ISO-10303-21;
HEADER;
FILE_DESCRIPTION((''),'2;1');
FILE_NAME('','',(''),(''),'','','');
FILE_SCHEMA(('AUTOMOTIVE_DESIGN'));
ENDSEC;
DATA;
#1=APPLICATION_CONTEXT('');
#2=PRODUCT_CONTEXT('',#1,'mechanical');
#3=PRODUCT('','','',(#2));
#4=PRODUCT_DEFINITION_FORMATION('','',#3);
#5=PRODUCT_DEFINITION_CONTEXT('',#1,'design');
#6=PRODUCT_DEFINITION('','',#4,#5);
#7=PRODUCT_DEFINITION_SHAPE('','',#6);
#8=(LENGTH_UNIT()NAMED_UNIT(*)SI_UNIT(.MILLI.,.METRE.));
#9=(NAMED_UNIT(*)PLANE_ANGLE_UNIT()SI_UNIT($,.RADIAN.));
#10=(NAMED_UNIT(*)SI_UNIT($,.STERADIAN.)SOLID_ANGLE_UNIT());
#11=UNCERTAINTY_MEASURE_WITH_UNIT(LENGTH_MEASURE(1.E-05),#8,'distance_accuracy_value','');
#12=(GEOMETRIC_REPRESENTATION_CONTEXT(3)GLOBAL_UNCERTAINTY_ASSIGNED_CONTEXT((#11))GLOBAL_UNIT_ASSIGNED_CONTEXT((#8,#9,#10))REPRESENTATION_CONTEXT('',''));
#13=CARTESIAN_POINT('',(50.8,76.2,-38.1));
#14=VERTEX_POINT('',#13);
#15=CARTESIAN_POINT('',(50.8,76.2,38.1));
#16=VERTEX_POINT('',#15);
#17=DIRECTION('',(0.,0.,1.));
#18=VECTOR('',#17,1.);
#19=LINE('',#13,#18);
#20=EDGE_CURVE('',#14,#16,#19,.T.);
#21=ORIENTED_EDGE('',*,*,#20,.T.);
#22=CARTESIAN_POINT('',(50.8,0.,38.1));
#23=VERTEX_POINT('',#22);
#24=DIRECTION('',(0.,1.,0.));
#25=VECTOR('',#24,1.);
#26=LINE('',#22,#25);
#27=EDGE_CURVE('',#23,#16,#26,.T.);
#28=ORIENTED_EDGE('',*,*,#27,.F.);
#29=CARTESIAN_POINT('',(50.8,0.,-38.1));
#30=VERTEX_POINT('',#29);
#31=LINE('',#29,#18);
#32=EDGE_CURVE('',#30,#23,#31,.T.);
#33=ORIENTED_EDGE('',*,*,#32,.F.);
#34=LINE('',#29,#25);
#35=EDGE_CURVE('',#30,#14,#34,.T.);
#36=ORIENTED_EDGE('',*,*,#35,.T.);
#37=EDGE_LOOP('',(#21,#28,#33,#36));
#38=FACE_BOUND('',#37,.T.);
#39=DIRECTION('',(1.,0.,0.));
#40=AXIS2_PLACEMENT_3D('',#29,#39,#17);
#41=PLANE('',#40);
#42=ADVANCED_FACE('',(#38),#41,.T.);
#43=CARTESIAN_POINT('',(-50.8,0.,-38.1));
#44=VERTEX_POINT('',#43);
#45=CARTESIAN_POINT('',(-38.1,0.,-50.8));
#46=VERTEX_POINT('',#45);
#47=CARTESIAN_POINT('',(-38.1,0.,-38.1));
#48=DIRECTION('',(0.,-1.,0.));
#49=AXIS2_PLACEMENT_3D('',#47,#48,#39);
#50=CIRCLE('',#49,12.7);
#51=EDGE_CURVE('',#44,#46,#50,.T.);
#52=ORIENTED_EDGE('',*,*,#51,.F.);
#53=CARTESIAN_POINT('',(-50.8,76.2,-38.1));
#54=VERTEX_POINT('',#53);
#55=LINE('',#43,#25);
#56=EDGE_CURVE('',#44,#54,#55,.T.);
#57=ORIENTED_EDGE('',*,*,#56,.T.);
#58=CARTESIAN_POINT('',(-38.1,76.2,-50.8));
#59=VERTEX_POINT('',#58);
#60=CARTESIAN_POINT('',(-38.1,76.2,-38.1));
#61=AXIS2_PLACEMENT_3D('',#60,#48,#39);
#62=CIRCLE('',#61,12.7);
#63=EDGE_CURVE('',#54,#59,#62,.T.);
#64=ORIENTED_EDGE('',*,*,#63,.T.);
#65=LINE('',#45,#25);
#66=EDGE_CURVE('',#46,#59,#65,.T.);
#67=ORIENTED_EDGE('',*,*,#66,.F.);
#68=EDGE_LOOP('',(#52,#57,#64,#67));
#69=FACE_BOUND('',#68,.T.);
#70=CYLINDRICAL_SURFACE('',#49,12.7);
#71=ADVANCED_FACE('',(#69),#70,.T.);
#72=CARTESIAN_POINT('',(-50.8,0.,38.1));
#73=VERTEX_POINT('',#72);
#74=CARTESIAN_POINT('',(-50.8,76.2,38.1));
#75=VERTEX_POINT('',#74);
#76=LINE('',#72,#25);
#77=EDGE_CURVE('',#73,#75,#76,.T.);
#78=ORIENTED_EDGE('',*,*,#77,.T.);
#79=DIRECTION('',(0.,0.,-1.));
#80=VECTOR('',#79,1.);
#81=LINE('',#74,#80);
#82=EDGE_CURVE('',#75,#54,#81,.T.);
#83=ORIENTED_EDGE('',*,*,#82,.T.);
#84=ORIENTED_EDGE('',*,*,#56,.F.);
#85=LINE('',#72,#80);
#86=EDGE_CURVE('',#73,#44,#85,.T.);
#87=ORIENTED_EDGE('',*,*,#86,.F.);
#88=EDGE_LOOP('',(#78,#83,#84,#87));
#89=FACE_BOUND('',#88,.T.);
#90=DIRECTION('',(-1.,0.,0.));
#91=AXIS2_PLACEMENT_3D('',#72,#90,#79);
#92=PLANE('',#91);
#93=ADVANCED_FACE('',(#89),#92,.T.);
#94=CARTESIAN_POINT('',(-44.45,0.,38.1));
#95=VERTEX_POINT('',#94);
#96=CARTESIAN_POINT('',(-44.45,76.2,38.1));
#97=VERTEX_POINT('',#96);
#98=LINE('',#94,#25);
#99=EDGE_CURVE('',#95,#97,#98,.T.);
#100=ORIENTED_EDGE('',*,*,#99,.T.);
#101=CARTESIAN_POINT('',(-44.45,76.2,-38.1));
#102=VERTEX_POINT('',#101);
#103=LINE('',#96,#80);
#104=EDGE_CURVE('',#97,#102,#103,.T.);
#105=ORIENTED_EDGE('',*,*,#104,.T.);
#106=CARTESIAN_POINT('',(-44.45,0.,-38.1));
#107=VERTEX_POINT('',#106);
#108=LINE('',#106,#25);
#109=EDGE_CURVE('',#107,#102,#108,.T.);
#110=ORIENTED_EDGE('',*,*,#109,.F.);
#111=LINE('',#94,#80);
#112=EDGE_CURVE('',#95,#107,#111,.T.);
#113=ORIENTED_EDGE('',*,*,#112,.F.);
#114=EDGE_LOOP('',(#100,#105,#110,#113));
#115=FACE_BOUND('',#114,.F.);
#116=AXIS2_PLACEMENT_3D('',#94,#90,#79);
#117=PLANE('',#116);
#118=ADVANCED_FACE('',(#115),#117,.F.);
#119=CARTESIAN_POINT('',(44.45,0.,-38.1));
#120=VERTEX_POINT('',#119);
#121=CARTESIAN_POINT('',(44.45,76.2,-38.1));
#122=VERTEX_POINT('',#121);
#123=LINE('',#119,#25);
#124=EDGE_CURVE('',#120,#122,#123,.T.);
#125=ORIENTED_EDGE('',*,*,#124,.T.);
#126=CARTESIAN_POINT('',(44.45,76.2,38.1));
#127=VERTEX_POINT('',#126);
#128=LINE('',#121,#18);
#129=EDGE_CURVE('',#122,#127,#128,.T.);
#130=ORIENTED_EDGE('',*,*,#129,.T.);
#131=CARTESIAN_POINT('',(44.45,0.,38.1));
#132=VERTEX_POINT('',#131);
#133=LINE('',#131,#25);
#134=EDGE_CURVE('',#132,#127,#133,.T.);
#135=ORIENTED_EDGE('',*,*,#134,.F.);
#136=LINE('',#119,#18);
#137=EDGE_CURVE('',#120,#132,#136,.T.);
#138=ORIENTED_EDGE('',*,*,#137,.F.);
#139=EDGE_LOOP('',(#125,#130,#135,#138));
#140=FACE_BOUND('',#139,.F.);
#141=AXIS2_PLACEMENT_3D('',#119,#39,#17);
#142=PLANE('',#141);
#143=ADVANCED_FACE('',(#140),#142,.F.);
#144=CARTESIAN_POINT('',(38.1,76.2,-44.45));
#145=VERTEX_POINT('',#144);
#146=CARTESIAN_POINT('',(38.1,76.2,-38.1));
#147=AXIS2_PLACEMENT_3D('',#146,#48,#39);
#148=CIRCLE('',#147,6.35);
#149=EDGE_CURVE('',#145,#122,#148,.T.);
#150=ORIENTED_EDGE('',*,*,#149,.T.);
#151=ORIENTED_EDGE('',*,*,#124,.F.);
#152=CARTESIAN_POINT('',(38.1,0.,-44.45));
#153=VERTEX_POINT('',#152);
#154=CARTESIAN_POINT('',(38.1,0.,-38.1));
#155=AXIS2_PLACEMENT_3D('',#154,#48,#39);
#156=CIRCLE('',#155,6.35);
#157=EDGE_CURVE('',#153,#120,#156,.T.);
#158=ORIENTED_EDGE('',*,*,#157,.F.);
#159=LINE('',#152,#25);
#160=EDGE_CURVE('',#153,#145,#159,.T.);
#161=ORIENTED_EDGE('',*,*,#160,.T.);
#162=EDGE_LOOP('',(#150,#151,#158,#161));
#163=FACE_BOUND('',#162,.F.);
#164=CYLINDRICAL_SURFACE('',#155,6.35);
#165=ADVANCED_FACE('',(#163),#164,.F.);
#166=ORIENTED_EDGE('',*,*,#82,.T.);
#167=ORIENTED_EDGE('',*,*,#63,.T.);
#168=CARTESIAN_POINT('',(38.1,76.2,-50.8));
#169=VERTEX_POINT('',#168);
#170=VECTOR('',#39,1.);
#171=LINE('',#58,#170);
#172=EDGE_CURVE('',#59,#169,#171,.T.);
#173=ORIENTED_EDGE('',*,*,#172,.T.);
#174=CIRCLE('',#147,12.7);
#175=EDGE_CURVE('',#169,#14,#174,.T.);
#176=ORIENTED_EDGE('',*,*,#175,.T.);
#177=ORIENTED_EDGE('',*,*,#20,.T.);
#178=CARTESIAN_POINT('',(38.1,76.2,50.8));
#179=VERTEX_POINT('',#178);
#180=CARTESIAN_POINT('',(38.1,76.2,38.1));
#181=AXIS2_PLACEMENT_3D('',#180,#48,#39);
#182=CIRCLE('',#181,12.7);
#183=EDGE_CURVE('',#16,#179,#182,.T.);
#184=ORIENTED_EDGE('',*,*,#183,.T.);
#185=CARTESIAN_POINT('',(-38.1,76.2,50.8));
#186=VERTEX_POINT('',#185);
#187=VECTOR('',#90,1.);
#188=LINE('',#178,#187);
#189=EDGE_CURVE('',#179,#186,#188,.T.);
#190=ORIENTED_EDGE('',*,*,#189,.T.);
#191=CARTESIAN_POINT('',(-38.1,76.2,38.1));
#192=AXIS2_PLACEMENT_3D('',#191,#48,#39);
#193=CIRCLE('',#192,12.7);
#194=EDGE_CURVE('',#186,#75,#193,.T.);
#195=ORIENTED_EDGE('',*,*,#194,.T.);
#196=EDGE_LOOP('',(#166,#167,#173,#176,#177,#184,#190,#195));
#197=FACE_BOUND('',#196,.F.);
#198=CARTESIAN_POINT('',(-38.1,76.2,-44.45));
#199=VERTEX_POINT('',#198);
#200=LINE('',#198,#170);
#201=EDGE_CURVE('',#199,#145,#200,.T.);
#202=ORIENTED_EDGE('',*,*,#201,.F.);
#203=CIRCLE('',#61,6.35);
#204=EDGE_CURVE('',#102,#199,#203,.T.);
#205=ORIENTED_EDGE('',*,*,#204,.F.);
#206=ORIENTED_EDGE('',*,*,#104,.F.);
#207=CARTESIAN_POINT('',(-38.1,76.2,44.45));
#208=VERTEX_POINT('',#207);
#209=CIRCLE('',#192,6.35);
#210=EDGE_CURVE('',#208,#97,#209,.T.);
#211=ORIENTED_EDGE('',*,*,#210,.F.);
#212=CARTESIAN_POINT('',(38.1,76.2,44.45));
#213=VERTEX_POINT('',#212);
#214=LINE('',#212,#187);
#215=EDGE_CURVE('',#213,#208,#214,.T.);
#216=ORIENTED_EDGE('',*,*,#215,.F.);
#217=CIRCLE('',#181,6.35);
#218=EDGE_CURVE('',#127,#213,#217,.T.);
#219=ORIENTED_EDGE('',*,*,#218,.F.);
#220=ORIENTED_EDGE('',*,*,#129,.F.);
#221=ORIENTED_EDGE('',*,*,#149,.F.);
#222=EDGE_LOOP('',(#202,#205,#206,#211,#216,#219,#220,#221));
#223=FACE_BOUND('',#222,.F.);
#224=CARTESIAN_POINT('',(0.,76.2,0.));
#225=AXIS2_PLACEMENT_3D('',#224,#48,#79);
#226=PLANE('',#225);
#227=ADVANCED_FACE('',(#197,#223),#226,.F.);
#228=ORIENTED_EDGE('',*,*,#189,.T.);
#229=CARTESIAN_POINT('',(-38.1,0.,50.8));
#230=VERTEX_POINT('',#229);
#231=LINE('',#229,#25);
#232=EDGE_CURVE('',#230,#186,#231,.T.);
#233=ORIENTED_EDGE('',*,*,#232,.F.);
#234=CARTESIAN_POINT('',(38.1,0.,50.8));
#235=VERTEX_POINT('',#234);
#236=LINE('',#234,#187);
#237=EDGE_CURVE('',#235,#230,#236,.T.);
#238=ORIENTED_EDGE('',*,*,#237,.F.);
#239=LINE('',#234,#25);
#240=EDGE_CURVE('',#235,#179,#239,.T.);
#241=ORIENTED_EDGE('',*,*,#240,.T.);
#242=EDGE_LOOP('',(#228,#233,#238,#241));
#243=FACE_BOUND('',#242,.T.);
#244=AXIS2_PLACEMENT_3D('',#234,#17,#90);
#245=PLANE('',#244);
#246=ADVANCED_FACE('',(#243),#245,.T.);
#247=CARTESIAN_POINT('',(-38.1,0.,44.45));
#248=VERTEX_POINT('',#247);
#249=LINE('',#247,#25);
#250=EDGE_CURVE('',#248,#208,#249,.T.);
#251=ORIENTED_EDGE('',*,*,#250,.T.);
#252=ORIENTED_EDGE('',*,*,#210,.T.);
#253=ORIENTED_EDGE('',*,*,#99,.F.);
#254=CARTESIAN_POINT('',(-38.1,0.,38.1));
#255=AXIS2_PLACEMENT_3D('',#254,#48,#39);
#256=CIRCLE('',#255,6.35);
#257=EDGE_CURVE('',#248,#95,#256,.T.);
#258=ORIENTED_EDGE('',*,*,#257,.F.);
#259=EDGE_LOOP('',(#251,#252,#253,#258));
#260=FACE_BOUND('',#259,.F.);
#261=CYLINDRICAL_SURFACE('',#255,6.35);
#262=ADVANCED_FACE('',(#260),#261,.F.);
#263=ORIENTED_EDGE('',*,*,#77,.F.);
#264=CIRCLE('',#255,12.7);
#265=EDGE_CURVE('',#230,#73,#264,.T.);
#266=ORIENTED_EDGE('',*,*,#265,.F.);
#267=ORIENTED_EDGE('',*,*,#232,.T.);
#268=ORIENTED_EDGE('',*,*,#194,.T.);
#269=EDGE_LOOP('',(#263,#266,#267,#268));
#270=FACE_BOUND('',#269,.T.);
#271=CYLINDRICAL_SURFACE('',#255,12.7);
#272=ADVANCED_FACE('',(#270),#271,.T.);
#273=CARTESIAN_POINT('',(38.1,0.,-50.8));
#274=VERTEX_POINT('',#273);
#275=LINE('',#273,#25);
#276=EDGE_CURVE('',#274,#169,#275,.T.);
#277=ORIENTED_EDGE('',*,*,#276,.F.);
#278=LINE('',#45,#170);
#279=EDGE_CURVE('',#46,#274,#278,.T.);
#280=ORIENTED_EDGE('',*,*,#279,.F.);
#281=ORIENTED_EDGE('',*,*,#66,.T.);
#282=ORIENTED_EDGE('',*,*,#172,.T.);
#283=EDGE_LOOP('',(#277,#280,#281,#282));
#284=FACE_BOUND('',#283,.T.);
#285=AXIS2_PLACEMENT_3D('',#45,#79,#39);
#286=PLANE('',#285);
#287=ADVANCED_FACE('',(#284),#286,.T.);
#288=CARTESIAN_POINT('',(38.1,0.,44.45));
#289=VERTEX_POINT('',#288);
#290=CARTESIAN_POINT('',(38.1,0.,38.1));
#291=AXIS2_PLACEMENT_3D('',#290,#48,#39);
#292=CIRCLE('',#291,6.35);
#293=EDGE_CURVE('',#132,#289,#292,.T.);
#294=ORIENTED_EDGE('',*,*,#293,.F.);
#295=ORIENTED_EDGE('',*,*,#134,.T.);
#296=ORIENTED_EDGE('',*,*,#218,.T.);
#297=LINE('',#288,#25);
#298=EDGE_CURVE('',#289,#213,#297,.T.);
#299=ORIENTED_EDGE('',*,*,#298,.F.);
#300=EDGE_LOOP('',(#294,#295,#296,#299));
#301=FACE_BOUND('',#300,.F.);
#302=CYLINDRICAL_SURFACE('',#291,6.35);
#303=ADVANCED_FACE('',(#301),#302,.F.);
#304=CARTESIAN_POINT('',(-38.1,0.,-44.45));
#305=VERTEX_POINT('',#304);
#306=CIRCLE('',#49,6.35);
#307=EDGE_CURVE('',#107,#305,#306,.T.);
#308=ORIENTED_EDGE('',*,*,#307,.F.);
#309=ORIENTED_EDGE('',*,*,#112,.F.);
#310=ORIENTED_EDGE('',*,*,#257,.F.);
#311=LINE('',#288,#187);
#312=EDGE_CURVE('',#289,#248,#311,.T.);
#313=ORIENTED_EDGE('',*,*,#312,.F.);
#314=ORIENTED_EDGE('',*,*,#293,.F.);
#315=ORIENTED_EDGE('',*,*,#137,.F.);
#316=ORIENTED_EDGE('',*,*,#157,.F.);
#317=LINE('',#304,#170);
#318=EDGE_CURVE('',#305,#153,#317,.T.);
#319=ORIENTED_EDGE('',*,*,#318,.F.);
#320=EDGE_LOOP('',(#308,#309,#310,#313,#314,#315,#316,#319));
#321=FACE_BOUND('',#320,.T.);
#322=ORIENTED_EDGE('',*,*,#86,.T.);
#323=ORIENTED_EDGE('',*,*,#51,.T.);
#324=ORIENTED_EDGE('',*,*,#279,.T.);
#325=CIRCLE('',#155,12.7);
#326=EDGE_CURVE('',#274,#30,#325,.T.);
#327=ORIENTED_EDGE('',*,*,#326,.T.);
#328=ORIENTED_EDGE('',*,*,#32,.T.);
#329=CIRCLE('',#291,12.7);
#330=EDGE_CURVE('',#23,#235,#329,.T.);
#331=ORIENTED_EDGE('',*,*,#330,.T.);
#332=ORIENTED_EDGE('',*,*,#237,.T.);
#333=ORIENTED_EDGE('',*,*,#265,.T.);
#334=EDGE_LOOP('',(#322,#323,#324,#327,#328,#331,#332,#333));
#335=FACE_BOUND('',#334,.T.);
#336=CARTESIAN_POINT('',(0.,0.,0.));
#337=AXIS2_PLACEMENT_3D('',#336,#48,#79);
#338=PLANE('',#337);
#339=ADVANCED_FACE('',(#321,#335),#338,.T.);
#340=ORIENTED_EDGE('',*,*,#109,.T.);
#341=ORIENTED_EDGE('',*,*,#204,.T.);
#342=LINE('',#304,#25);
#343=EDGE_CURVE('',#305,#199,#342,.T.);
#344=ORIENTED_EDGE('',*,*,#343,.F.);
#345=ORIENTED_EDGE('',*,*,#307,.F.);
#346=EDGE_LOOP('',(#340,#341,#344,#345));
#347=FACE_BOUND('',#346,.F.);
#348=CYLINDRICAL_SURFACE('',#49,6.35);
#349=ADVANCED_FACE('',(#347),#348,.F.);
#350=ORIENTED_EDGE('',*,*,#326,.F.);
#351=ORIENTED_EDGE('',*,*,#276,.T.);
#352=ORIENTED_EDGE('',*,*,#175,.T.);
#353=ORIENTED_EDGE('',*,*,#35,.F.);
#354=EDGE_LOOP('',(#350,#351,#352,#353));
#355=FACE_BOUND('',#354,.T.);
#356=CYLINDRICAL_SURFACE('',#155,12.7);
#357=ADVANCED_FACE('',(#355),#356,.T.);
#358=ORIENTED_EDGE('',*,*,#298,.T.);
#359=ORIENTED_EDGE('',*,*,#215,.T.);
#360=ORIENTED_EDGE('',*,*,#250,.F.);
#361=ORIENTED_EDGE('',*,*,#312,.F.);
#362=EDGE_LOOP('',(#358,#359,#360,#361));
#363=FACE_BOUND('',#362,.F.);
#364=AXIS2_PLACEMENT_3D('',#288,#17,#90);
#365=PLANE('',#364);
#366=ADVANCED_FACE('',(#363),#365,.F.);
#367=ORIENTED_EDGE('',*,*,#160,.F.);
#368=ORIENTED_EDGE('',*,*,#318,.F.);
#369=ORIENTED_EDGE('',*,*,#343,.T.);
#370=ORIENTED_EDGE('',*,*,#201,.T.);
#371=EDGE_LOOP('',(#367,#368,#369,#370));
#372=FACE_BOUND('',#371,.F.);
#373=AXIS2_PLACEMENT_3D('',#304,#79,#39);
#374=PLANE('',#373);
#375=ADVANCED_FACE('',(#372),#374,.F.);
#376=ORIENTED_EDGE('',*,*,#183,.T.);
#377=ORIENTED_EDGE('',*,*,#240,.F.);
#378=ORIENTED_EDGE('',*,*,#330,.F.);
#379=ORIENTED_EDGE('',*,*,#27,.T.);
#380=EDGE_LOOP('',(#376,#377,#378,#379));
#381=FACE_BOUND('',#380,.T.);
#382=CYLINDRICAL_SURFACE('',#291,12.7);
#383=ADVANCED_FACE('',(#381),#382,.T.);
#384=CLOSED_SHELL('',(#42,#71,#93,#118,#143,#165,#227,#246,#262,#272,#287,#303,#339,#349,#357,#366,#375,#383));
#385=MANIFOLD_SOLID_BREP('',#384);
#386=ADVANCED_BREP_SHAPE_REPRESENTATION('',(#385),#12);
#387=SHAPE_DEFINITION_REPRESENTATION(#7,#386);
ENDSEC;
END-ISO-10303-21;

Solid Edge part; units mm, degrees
sketch "Sketch1" plane through (0, 0, 0) normal (0, -1, 0) x (1, 0, 0)
  line L0 (-44.45, 38.1) -> (-44.45, -38.1)
  arc A0 (-44.45, -38.1) -> (-38.1, -44.45) centre (-38.1, -38.1) ccw
  line L1 (-38.1, -44.45) -> (38.1, -44.45)
  arc A1 (38.1, -44.45) -> (44.45, -38.1) centre (38.1, -38.1) ccw
  line L2 (44.45, -38.1) -> (44.45, 38.1)
  arc A2 (44.45, 38.1) -> (38.1, 44.45) centre (38.1, 38.1) ccw
  line L3 (38.1, 44.45) -> (-38.1, 44.45)
  arc A3 (-38.1, 44.45) -> (-44.45, 38.1) centre (-38.1, 38.1) ccw
  arc A4 (-50.8, -38.1) -> (-38.1, -50.8) centre (-38.1, -38.1) ccw
  line L4 (-38.1, -50.8) -> (38.1, -50.8)
  arc A5 (38.1, -50.8) -> (50.8, -38.1) centre (38.1, -38.1) ccw
  line L5 (50.8, -38.1) -> (50.8, 38.1)
  arc A6 (50.8, 38.1) -> (38.1, 50.8) centre (38.1, 38.1) ccw
  line L6 (38.1, 50.8) -> (-38.1, 50.8)
  arc A7 (-38.1, 50.8) -> (-50.8, 38.1) centre (-38.1, 38.1) ccw
  line L7 (-50.8, 38.1) -> (-50.8, -38.1)
  dimension "D1" = 101.6
  dimension "D2" = 101.6
  dimension "D3" = 6.35
  dimension "D4" = 6.35
  dimension "D5" = 6.35
  dimension "D6" = 6.35
extrude "Protrusion1" add sketch "Sketch1" against normal blind 76.2
